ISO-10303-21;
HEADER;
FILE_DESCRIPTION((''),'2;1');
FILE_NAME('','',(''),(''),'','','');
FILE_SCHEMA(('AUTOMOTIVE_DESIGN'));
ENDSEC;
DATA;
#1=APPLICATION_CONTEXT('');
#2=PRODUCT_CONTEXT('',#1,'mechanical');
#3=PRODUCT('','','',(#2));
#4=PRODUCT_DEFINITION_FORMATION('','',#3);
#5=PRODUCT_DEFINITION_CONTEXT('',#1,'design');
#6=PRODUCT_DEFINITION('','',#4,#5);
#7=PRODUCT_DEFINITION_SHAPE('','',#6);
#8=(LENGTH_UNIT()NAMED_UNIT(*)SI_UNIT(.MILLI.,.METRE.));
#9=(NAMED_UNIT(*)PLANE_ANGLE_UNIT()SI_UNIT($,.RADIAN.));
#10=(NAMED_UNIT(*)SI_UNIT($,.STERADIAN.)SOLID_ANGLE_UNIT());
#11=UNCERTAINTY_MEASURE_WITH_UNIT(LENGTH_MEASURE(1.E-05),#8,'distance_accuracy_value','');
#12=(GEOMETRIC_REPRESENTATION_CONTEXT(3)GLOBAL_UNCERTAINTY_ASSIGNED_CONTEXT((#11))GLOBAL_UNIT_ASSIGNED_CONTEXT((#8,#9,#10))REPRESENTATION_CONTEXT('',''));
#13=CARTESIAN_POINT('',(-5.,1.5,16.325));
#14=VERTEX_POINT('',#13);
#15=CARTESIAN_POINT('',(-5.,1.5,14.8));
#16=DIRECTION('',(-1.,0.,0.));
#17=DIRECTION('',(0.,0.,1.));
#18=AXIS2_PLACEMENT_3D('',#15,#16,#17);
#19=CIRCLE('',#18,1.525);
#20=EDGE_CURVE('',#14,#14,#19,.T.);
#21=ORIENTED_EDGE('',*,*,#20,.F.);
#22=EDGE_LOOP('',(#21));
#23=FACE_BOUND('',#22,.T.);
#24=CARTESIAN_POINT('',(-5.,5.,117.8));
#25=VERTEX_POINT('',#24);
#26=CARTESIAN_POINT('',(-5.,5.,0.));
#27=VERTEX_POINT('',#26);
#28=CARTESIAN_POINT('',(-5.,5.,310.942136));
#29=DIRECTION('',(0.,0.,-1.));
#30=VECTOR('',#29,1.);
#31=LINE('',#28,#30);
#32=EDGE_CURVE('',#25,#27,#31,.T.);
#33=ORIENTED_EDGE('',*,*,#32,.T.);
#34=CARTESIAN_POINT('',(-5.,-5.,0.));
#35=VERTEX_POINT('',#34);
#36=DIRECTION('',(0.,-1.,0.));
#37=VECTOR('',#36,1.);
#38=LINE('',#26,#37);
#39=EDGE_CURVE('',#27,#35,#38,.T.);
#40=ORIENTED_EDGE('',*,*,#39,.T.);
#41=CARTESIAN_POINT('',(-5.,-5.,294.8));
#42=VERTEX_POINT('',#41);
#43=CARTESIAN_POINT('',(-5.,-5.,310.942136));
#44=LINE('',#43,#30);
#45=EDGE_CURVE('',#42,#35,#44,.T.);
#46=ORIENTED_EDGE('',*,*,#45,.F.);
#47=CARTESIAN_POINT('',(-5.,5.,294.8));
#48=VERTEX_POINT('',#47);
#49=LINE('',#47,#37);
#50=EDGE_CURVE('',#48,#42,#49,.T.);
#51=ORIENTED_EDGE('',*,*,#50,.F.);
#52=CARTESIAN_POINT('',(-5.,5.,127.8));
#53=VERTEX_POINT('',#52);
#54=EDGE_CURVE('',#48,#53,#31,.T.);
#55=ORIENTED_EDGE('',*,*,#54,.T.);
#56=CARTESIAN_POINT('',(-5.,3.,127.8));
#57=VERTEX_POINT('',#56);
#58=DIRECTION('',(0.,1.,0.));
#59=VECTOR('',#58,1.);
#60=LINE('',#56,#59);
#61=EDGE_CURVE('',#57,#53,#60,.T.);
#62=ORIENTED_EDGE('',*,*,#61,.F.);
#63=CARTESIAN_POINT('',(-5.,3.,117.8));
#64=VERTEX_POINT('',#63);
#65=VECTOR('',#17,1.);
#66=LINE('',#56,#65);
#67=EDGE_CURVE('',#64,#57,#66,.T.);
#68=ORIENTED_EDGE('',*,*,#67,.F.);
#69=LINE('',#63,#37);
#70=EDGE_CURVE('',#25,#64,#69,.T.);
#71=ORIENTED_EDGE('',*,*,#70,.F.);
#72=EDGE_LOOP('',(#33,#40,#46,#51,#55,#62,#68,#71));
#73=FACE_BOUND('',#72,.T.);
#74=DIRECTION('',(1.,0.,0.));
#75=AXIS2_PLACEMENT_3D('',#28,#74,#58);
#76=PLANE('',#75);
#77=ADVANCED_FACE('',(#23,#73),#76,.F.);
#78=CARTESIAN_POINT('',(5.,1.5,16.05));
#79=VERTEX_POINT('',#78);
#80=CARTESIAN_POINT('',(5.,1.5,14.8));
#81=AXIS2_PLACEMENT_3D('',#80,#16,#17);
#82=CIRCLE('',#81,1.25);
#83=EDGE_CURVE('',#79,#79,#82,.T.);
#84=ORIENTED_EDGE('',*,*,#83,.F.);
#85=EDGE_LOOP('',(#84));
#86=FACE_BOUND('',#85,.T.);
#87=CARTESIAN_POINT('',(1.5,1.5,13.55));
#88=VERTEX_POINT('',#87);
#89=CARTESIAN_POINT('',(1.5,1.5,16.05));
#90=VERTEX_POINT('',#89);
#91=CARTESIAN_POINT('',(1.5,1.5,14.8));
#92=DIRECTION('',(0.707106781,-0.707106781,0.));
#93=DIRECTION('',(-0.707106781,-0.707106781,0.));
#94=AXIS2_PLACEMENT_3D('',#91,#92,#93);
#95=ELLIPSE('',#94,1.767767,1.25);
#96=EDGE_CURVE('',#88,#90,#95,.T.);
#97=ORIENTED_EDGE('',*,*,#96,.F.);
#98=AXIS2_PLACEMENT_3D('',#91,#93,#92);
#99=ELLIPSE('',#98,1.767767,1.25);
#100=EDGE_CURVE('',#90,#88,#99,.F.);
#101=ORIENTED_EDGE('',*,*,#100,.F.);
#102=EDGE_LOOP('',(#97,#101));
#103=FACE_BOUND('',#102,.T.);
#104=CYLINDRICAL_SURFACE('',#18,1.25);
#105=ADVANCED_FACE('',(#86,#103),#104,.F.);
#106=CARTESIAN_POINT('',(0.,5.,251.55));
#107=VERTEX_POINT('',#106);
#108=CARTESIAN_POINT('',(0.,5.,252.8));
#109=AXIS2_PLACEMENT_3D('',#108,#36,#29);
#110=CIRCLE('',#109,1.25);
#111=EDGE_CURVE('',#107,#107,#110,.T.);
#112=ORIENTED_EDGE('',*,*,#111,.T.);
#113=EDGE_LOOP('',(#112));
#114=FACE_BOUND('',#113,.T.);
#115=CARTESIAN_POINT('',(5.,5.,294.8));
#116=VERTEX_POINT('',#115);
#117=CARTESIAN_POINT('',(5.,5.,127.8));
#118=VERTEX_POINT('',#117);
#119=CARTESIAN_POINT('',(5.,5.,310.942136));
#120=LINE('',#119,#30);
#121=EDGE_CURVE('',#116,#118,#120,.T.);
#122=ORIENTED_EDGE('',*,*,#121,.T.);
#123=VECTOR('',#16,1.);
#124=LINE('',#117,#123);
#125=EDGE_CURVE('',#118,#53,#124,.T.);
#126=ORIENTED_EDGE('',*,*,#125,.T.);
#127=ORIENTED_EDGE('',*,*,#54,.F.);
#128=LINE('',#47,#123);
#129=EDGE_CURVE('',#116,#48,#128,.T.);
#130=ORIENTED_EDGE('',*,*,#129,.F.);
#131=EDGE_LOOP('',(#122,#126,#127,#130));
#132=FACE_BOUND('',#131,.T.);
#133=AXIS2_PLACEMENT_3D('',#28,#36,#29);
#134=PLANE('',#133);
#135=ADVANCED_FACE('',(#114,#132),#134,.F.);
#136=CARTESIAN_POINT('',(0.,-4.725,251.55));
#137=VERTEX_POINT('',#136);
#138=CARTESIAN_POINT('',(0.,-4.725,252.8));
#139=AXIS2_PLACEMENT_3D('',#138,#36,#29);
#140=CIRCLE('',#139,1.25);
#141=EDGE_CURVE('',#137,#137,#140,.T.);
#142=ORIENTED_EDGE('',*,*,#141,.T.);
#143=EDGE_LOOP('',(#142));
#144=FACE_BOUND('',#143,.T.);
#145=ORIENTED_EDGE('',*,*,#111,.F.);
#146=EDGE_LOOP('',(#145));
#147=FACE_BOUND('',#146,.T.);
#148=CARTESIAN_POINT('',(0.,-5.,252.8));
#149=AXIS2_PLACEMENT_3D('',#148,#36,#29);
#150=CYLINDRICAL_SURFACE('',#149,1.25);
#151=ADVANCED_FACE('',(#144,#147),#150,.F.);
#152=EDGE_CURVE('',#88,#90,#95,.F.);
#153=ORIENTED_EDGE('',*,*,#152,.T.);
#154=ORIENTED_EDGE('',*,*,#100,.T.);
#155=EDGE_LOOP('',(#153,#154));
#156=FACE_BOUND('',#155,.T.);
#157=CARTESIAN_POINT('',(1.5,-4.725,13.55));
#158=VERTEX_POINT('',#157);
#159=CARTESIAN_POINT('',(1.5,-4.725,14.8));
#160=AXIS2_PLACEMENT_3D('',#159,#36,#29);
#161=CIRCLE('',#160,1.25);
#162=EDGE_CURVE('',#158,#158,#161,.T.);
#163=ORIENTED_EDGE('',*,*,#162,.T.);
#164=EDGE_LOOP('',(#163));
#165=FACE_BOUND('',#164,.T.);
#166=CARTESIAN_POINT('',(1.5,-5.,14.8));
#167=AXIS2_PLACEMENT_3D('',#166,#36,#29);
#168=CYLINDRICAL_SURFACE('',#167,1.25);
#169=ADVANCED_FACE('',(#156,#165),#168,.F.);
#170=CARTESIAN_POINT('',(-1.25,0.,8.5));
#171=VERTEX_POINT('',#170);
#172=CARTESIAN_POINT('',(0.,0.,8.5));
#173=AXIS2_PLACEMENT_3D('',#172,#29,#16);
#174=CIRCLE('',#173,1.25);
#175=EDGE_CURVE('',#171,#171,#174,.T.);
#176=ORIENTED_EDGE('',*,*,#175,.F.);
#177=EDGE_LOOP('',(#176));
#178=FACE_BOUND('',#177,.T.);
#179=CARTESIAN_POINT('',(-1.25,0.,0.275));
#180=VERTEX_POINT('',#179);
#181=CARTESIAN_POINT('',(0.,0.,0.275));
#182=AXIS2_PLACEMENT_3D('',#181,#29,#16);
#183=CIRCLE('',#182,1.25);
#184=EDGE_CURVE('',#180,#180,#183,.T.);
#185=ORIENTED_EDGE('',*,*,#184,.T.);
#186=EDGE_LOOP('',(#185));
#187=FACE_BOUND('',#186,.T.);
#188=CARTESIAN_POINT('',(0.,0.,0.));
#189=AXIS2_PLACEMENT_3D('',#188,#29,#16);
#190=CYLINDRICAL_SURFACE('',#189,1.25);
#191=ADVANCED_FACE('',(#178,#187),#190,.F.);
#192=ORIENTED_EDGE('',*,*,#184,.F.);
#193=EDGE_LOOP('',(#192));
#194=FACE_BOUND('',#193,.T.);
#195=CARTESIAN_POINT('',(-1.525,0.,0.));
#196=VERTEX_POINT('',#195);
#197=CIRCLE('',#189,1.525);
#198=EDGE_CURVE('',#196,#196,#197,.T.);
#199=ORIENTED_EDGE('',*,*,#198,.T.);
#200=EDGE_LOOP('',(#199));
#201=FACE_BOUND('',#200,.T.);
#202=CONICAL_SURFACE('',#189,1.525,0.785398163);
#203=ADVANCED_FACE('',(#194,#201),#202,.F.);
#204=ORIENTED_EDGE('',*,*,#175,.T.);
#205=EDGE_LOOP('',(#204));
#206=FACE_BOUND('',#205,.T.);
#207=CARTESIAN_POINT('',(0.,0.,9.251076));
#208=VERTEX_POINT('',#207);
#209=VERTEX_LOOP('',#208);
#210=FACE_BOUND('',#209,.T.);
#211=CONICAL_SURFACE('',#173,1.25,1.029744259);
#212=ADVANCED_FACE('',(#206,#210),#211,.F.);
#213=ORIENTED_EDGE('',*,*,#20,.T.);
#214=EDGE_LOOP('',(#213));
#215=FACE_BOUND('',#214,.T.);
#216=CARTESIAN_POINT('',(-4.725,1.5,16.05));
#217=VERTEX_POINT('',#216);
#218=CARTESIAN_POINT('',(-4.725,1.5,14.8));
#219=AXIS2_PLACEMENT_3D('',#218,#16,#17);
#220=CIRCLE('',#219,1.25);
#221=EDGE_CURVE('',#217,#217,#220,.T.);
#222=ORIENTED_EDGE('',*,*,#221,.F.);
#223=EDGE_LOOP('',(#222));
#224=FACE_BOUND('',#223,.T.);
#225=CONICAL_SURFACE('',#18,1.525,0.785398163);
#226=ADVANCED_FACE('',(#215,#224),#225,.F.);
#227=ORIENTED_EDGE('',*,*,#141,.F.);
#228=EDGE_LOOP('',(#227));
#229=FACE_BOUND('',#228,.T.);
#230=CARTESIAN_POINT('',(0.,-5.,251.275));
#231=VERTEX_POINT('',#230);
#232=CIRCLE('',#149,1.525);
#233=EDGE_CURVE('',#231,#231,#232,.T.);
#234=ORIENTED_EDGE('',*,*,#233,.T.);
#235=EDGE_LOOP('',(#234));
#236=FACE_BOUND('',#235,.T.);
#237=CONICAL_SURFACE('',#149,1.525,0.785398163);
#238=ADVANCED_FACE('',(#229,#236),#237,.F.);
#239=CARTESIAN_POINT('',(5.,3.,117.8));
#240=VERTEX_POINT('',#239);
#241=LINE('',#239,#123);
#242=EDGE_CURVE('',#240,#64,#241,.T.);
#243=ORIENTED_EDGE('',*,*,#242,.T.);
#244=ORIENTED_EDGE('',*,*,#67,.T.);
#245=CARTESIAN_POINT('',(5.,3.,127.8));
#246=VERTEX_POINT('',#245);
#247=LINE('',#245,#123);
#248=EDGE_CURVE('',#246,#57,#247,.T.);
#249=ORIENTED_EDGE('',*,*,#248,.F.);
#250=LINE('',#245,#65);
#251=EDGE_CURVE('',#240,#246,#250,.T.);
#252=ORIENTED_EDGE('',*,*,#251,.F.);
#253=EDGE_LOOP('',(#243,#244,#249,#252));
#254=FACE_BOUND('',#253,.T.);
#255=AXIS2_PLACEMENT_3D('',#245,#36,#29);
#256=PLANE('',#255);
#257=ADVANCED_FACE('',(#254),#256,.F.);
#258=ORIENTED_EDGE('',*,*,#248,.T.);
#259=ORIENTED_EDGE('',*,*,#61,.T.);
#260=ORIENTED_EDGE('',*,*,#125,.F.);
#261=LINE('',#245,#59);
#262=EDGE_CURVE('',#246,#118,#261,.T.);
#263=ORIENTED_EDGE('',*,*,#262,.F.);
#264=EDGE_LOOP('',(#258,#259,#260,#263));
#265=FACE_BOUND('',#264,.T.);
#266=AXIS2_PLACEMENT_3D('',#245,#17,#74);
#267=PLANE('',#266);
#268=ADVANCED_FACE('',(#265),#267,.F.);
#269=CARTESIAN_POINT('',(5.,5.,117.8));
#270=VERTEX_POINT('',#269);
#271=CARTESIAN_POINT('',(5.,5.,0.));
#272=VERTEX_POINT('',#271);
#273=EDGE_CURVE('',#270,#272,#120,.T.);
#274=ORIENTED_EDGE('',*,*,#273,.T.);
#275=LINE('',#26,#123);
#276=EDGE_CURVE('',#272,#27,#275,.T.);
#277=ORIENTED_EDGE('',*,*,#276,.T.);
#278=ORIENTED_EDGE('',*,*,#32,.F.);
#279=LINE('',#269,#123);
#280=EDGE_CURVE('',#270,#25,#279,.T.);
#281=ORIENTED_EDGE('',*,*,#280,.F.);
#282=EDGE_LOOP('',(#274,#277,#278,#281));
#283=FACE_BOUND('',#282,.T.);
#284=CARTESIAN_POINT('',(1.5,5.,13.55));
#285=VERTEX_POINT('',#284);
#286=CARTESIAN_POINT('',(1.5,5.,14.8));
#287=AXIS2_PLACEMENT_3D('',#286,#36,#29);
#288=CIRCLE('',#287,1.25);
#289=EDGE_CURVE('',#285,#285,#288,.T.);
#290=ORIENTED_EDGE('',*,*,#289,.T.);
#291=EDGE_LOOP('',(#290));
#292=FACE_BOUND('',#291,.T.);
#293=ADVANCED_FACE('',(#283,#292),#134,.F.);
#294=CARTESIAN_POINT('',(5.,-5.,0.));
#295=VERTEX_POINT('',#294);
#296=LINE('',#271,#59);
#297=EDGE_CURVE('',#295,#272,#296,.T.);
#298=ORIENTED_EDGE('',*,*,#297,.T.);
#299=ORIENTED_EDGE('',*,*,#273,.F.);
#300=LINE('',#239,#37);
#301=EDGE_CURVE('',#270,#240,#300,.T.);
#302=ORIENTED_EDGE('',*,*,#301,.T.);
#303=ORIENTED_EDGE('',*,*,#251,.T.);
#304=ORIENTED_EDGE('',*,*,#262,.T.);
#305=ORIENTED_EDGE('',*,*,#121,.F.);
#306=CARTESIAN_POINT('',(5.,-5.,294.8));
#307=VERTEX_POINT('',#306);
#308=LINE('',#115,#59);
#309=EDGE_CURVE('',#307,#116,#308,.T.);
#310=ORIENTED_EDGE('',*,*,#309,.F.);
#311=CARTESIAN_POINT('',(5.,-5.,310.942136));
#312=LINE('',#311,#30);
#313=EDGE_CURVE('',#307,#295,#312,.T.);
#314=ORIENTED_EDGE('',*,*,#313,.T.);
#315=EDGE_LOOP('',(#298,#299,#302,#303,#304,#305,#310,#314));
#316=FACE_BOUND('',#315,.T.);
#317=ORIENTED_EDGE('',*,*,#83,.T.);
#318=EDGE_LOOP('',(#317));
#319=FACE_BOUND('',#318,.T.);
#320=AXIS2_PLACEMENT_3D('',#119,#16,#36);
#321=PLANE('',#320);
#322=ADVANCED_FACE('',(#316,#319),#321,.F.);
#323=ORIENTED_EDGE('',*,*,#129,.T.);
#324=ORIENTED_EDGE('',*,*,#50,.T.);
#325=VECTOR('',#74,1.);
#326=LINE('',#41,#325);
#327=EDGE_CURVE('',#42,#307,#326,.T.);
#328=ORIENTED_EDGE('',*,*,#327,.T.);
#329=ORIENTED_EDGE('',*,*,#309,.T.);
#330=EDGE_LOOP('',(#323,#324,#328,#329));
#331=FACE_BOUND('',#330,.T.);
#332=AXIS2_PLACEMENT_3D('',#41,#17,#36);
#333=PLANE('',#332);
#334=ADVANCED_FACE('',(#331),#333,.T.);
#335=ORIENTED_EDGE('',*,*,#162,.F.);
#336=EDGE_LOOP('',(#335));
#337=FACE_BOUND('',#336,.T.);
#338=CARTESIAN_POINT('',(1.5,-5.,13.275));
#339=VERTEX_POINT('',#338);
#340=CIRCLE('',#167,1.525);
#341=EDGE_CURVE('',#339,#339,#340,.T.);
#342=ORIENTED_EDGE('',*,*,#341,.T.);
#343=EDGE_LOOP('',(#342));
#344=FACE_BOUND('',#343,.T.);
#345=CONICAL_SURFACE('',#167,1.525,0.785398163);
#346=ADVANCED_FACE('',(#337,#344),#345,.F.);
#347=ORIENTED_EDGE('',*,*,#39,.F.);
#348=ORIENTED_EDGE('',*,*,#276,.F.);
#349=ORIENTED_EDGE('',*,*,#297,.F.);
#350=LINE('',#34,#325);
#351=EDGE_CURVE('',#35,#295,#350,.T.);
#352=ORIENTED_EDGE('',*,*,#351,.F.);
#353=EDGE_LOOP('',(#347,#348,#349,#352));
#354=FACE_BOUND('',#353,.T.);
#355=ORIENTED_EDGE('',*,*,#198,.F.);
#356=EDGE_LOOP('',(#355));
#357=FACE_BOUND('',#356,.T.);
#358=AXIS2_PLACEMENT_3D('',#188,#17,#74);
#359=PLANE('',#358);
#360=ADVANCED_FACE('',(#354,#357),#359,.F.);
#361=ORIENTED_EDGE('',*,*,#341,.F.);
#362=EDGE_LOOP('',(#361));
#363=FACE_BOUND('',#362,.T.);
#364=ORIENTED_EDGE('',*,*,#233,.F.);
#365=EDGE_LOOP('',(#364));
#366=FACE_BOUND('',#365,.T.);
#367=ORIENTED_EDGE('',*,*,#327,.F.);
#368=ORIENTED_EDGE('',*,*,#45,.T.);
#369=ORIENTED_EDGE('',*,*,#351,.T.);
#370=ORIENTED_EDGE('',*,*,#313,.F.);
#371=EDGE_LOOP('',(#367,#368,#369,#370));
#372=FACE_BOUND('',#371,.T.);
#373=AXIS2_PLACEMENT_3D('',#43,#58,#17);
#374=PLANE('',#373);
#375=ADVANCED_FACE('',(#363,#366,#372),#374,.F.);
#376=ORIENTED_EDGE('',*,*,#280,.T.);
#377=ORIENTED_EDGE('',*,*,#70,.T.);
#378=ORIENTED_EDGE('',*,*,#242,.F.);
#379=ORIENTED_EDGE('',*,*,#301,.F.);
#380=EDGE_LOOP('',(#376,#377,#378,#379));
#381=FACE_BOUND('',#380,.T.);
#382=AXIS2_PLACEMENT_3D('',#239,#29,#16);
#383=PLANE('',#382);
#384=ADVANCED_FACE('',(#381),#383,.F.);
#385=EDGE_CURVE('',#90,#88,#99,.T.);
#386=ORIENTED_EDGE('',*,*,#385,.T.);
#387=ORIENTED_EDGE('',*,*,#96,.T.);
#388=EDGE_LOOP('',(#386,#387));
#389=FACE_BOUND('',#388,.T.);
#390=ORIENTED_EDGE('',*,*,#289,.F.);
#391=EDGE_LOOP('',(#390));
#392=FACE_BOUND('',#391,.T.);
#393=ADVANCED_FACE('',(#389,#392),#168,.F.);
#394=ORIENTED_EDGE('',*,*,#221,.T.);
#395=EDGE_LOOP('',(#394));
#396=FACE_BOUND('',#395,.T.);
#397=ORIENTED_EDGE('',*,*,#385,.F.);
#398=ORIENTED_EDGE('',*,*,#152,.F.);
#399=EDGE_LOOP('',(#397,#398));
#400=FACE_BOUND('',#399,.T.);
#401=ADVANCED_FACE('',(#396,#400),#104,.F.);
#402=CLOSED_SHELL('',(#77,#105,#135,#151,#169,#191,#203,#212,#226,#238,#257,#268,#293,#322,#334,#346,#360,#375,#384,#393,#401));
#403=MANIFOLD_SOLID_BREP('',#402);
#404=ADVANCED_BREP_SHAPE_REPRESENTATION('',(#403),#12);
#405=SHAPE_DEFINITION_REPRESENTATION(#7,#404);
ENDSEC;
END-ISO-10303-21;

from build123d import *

# Parameters (mm, degrees)
ESQUISSE1_W                     = 10
ESQUISSE1_H                     = 10
BOSS_EXTRU_1_DEPTH              = 294.8
TROU_TARAUD_M3X0_51_D           = 2.5
TROU_TARAUD_M3X0_51_DEPTH       = 8.5
TROU_TARAUD_M3X0_51_CSINK_D     = 3.05
TROU_TARAUD_M3X0_51_CSINK_ANGLE = 90
TROU_TARAUD_M3X0_51_TIP         = 0.751075774
ESQUISSE4_W                     = 10
ESQUISSE4_H                     = 2
ENL_V_MAT_EXTRU_1_DEPTH         = 11
TROU_TARAUD_M3X0_52_D           = 2.5
TROU_TARAUD_M3X0_52_CSINK_D     = 3.05
TROU_TARAUD_M3X0_52_CSINK_ANGLE = 90
TROU_TARAUD_M3X0_53_D           = 2.5
TROU_TARAUD_M3X0_53_CSINK_D     = 3.05
TROU_TARAUD_M3X0_53_CSINK_ANGLE = 90
TROU_TARAUD_M3X0_54_D           = 2.5
TROU_TARAUD_M3X0_54_CSINK_D     = 3.05
TROU_TARAUD_M3X0_54_CSINK_ANGLE = 90


with BuildPart() as part:
    # Esquisse1 → Boss.-Extru.1 (new body)
    with BuildSketch(Plane.XY):
        Rectangle(ESQUISSE1_W, ESQUISSE1_H)
    extrude(amount=BOSS_EXTRU_1_DEPTH)

    # Trou taraudé M3x0.51
    with Locations(Plane(origin=(0, 0, 0), x_dir=(-1, 0, 0), z_dir=(0, 0, -1))):
        with Locations((0, 0)):
            CounterSinkHole(TROU_TARAUD_M3X0_51_D / 2, TROU_TARAUD_M3X0_51_CSINK_D / 2, depth=TROU_TARAUD_M3X0_51_DEPTH, counter_sink_angle=TROU_TARAUD_M3X0_51_CSINK_ANGLE)
            with Locations((0, 0, -(TROU_TARAUD_M3X0_51_DEPTH + TROU_TARAUD_M3X0_51_TIP / 2))):  # 118° drill point
                Cone(0, TROU_TARAUD_M3X0_51_D / 2, TROU_TARAUD_M3X0_51_TIP, mode=Mode.SUBTRACT)

    # Esquisse4 → Enlèv. mat.-Extru.1 (cut, through all)
    with BuildSketch(Plane.ZY.offset(5)):
        with Locations((122.8, 4)):
            Rectangle(ESQUISSE4_W, ESQUISSE4_H)
    extrude(amount=-ENL_V_MAT_EXTRU_1_DEPTH, mode=Mode.SUBTRACT)

    # Trou taraudé M3x0.52 (through all)
    with Locations(Plane(origin=(0, -5, 0), x_dir=(-1, 0, 0), z_dir=(0, -1, 0))):
        with Locations((-1.5, -14.8)):
            CounterSinkHole(TROU_TARAUD_M3X0_52_D / 2, TROU_TARAUD_M3X0_52_CSINK_D / 2, counter_sink_angle=TROU_TARAUD_M3X0_52_CSINK_ANGLE)

    # Trou taraudé M3x0.53 (through all)
    with Locations(Plane.ZY.offset(5)):
        with Locations((14.8, 1.5)):
            CounterSinkHole(TROU_TARAUD_M3X0_53_D / 2, TROU_TARAUD_M3X0_53_CSINK_D / 2, counter_sink_angle=TROU_TARAUD_M3X0_53_CSINK_ANGLE)

    # Trou taraudé M3x0.54 (through all)
    with Locations(Plane(origin=(0, -5, 0), x_dir=(-1, 0, 0), z_dir=(0, -1, 0))):
        with Locations((0, -252.8)):
            CounterSinkHole(TROU_TARAUD_M3X0_54_D / 2, TROU_TARAUD_M3X0_54_CSINK_D / 2, counter_sink_angle=TROU_TARAUD_M3X0_54_CSINK_ANGLE)


solid = part.part
